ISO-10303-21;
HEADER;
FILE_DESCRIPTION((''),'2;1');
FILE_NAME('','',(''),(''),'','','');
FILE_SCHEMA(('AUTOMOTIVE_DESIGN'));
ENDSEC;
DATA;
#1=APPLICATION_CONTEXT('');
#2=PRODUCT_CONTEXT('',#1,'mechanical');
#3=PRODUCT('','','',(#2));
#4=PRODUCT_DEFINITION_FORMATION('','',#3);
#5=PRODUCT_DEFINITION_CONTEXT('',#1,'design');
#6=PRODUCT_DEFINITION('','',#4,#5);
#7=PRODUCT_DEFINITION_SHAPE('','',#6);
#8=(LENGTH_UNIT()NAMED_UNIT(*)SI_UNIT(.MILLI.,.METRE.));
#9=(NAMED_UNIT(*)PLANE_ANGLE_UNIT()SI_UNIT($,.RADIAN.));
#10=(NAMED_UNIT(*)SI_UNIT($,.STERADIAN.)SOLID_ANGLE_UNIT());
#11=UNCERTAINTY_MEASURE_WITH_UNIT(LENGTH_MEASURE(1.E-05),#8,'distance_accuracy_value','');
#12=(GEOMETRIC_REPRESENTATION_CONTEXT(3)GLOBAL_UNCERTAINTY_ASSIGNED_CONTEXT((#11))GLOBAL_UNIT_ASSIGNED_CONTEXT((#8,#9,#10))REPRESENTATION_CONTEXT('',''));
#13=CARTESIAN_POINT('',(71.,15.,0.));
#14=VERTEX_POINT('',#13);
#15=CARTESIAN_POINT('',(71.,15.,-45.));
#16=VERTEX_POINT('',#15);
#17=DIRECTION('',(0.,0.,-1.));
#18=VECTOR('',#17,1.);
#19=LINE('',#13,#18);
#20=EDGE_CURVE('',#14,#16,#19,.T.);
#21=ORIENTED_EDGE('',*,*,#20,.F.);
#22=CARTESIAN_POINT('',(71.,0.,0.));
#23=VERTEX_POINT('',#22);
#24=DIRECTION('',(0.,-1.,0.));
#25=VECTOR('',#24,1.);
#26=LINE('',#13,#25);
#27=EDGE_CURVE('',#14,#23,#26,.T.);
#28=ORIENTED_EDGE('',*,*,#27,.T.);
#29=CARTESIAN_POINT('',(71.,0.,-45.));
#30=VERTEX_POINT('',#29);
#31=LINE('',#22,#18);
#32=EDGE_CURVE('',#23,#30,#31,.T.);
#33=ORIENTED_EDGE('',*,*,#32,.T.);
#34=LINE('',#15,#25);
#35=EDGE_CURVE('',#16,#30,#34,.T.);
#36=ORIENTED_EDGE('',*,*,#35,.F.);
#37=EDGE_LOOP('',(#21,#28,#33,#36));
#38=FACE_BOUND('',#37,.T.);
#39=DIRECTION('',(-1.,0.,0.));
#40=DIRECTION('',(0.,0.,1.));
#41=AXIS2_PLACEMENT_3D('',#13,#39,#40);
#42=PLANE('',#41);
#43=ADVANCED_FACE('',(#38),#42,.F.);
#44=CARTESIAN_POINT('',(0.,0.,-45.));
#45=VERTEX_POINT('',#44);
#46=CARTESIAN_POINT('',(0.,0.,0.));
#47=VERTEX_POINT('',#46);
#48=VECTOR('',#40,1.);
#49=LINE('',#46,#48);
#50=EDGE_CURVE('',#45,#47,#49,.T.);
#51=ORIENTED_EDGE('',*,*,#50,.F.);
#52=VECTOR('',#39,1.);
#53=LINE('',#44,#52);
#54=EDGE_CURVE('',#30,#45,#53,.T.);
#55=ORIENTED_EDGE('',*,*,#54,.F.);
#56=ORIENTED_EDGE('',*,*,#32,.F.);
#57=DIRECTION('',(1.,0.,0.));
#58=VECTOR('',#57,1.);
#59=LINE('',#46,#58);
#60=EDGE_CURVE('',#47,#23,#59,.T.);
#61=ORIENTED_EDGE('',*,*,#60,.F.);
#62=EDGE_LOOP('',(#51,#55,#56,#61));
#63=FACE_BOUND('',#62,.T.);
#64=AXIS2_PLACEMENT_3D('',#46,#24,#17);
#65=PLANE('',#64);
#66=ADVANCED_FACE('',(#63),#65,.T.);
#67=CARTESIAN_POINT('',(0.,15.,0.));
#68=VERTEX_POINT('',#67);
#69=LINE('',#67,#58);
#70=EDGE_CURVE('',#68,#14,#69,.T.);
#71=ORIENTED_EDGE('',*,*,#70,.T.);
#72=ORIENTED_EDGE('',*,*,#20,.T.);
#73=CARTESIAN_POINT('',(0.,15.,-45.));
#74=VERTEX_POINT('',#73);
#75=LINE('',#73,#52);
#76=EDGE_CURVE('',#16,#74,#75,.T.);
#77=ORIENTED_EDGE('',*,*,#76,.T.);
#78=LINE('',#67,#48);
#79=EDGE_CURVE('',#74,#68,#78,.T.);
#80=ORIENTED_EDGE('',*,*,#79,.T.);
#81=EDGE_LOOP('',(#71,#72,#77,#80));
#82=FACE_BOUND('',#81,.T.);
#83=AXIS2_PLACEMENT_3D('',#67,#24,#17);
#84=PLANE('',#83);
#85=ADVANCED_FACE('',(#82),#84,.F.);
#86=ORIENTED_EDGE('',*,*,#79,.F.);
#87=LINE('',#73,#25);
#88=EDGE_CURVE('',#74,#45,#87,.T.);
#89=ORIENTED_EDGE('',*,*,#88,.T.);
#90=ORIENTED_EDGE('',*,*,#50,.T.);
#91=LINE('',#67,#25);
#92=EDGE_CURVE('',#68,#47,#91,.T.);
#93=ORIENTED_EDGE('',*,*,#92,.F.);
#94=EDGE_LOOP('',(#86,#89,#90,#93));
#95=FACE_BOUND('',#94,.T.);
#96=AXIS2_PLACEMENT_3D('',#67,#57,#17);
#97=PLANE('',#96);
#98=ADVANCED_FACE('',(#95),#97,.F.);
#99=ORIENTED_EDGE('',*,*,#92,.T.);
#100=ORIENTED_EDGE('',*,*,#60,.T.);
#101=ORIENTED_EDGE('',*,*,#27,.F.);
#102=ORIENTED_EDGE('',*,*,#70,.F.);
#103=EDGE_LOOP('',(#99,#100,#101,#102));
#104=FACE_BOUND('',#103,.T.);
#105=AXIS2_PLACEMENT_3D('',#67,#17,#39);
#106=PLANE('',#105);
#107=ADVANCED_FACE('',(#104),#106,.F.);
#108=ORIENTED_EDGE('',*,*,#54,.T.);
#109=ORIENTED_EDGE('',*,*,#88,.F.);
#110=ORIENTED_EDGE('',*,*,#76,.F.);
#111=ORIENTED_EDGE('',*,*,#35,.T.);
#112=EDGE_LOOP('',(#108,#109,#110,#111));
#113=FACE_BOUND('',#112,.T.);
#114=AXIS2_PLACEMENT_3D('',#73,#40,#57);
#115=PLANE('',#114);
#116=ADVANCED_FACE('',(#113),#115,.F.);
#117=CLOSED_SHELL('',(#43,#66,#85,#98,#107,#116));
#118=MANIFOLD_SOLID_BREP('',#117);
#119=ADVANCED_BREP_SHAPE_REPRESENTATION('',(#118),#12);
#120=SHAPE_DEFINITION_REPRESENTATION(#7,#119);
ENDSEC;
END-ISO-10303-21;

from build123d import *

# Parameters (mm, degrees)
SKETCH_1_W      = 71
SKETCH_1_H      = 45
EXTRUDE_1_DEPTH = 15


with BuildPart() as part:
    # 草图1 → 凸台-拉伸1 (new body)
    with BuildSketch(Plane(origin=(0, 0, 0), x_dir=(1, 0, 0), z_dir=(0, 1, 0))):
        with Locations((35.5, 22.5)):
            Rectangle(SKETCH_1_W, SKETCH_1_H)
    extrude(amount=EXTRUDE_1_DEPTH)


solid = part.part
